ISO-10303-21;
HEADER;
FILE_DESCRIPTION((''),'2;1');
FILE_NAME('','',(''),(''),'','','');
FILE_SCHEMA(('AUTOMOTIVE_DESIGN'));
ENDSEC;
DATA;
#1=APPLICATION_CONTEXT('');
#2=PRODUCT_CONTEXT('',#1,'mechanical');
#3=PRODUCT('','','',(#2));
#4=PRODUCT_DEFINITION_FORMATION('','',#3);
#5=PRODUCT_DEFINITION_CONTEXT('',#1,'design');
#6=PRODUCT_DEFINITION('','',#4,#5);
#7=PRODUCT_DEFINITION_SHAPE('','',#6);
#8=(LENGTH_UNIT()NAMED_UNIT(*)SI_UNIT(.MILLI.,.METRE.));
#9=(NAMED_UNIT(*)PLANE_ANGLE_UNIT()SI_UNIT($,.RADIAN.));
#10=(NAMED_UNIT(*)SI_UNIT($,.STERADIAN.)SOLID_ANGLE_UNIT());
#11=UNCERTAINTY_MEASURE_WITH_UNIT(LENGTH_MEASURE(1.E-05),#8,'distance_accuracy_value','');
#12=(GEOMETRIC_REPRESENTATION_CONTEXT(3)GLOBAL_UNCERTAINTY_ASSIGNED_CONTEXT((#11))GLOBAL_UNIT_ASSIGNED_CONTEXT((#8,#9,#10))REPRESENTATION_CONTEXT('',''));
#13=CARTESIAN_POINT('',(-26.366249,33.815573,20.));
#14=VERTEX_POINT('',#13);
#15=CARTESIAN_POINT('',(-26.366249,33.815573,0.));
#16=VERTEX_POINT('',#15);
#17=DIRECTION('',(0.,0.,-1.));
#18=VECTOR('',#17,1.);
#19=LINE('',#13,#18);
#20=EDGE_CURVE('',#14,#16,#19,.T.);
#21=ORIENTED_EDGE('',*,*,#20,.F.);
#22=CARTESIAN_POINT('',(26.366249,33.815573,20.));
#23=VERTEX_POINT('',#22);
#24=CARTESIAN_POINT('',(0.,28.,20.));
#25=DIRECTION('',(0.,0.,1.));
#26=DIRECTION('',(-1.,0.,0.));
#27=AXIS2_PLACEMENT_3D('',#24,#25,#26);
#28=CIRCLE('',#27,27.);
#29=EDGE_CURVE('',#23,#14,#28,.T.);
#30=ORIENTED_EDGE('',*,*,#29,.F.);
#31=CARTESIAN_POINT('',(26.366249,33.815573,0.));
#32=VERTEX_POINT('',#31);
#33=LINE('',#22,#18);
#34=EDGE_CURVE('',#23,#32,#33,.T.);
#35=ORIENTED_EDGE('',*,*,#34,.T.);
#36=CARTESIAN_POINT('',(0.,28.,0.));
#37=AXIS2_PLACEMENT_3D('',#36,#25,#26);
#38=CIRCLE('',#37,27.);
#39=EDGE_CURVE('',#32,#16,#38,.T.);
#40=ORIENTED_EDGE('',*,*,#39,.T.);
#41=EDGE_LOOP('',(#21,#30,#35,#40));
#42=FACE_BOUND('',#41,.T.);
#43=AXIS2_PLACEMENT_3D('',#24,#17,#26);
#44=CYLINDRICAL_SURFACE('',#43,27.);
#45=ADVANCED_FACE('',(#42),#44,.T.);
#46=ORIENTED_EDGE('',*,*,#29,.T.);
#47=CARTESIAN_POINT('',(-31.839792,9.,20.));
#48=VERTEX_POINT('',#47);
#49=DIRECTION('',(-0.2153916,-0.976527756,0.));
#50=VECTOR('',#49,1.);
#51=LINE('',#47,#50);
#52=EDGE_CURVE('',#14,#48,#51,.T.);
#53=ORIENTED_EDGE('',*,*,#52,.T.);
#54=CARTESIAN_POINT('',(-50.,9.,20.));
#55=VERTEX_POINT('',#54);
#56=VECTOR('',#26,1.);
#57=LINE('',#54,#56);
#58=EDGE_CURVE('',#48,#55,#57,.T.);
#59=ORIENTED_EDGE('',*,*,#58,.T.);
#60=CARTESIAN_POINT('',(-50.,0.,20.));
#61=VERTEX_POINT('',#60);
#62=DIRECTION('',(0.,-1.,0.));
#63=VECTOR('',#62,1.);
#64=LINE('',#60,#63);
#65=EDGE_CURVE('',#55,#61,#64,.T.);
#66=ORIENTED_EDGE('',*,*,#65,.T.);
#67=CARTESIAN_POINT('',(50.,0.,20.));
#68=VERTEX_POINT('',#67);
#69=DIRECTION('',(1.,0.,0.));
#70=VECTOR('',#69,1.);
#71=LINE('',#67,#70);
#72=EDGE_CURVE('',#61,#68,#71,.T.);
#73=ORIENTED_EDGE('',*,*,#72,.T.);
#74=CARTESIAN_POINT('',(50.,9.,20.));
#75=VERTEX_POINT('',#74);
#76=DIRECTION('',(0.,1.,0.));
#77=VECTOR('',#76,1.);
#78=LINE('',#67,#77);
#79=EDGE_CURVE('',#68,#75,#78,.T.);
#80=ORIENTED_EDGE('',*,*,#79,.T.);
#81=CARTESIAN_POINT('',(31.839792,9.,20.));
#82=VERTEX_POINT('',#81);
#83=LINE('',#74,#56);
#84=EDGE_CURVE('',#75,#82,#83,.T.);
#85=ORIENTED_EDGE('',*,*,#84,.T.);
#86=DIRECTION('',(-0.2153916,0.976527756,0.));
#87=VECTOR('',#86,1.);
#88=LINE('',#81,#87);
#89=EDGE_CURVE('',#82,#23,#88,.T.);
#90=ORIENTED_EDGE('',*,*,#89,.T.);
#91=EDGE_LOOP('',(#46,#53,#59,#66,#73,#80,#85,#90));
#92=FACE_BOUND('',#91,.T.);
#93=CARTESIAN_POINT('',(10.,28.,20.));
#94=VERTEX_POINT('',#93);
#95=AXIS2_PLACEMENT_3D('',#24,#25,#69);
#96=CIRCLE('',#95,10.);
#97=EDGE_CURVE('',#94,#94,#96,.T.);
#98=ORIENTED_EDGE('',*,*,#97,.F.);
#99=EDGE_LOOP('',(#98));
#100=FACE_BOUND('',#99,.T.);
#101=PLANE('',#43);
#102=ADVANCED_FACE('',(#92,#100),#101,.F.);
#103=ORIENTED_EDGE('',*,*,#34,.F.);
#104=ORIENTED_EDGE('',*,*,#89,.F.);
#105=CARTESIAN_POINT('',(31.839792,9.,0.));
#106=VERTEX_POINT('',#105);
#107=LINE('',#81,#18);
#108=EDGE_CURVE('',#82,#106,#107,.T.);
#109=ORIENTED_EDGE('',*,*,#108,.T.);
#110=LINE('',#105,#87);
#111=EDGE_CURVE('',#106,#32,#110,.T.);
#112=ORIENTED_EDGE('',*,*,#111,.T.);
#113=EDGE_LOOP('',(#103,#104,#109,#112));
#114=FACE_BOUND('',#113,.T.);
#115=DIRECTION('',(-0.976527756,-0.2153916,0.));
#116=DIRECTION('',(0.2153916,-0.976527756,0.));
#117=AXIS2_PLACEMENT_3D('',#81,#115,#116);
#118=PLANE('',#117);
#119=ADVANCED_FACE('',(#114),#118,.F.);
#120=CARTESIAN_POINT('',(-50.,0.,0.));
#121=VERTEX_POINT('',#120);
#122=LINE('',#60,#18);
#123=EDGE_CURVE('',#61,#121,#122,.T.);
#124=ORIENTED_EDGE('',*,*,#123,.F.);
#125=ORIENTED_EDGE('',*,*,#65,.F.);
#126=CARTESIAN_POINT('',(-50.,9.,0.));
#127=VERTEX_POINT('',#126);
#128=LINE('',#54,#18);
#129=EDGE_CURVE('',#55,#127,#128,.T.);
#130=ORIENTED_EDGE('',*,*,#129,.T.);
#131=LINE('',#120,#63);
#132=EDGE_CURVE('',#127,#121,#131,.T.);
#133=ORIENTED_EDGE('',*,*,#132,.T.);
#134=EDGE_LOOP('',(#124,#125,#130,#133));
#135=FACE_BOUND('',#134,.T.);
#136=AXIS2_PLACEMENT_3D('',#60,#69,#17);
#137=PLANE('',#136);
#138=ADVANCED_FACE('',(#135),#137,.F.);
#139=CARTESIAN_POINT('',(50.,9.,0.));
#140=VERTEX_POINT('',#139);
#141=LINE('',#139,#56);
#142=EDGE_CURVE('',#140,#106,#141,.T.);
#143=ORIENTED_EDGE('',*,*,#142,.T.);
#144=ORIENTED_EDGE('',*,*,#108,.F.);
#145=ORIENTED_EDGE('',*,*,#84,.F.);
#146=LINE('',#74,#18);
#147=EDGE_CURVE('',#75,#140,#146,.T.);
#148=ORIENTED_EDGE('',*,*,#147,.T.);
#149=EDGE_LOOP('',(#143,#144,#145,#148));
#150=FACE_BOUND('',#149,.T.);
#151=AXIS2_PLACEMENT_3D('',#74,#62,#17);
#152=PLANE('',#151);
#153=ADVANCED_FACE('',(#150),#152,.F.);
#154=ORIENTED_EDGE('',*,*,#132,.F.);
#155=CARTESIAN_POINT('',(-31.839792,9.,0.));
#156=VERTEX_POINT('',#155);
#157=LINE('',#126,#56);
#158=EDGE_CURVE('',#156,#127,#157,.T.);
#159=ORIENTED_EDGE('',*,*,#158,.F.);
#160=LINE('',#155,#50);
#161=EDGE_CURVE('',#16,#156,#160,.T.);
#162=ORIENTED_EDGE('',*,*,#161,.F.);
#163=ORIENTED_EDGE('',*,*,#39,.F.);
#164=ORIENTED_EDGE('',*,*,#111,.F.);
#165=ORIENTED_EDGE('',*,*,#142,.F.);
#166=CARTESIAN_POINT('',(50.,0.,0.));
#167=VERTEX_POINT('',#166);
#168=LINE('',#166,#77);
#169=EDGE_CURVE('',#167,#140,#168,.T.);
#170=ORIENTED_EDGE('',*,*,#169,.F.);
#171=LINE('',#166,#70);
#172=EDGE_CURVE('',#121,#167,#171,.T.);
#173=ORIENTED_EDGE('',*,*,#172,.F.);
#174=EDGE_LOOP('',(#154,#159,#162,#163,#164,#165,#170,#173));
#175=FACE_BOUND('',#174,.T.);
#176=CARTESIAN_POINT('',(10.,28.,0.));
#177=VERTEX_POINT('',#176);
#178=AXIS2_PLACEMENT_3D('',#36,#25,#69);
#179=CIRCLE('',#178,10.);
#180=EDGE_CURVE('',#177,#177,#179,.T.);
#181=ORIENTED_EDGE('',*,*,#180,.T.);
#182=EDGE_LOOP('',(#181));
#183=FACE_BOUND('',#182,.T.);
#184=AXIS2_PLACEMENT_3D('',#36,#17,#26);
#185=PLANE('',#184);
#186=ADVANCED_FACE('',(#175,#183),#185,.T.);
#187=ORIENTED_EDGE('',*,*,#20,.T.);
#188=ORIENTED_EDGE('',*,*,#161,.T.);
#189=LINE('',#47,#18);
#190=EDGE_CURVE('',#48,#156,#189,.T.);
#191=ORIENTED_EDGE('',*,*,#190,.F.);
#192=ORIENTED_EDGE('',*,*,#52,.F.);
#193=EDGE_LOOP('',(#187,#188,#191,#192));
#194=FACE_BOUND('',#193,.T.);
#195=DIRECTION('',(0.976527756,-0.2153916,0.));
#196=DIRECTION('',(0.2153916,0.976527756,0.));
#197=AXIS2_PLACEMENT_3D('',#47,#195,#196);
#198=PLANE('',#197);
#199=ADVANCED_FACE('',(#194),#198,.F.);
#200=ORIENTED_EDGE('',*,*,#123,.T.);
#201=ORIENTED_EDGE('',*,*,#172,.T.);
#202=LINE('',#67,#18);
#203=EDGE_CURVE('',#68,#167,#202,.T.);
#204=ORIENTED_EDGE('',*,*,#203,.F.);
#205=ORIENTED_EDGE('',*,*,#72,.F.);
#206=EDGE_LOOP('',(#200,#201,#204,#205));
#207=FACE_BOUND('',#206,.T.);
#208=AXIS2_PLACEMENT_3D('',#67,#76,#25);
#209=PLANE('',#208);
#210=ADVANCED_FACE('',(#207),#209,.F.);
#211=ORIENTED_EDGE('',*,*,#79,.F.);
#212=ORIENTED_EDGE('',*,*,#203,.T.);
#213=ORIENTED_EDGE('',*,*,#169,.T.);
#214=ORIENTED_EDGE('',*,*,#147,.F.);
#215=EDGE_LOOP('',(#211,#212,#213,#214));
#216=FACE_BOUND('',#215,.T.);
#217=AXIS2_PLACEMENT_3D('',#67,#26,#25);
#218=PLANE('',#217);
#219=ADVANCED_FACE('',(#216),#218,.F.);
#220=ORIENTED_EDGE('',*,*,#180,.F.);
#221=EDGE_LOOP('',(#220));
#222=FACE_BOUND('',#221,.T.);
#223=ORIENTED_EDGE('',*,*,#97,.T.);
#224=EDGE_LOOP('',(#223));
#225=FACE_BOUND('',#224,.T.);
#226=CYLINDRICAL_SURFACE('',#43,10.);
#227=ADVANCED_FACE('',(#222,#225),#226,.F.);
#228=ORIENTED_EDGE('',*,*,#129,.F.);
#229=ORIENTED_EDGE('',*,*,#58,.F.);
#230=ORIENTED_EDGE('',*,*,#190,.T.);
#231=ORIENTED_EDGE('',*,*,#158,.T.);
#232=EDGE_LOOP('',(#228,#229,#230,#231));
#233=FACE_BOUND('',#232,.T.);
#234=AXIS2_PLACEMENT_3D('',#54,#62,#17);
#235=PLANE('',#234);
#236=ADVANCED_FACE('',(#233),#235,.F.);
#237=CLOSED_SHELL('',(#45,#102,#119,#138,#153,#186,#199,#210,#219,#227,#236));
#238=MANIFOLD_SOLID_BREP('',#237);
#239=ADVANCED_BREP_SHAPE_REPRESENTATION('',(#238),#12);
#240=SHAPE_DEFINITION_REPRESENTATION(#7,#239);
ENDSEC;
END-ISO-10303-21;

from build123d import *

# Parameters (mm, degrees)
SKIZZE1_R                       = 10
AUFSATZ_LINEAR_AUSTRAGEN1_DEPTH = 20


with BuildPart() as part:
    # Skizze1 → Aufsatz-Linear austragen1 (new body)
    with BuildSketch(Plane.XY):
        with BuildLine():
            Line((50, 0), (-50, 0))
            Line((-50, 0), (-50, 9))
            Line((-50, 9), (-31.839791753, 9))
            Line((-31.839791753, 9), (-26.366249418, 33.815573199))
            ThreePointArc((-26.366249418, 33.815573199), (0, 55), (26.366249418, 33.815573199))
            Line((26.366249418, 33.815573199), (31.839791753, 9))
            Line((31.839791753, 9), (50, 9))
            Line((50, 9), (50, 0))
        make_face()
        with Locations((0, 28)):
            Circle(SKIZZE1_R, mode=Mode.SUBTRACT)
    extrude(amount=AUFSATZ_LINEAR_AUSTRAGEN1_DEPTH)


solid = part.part
